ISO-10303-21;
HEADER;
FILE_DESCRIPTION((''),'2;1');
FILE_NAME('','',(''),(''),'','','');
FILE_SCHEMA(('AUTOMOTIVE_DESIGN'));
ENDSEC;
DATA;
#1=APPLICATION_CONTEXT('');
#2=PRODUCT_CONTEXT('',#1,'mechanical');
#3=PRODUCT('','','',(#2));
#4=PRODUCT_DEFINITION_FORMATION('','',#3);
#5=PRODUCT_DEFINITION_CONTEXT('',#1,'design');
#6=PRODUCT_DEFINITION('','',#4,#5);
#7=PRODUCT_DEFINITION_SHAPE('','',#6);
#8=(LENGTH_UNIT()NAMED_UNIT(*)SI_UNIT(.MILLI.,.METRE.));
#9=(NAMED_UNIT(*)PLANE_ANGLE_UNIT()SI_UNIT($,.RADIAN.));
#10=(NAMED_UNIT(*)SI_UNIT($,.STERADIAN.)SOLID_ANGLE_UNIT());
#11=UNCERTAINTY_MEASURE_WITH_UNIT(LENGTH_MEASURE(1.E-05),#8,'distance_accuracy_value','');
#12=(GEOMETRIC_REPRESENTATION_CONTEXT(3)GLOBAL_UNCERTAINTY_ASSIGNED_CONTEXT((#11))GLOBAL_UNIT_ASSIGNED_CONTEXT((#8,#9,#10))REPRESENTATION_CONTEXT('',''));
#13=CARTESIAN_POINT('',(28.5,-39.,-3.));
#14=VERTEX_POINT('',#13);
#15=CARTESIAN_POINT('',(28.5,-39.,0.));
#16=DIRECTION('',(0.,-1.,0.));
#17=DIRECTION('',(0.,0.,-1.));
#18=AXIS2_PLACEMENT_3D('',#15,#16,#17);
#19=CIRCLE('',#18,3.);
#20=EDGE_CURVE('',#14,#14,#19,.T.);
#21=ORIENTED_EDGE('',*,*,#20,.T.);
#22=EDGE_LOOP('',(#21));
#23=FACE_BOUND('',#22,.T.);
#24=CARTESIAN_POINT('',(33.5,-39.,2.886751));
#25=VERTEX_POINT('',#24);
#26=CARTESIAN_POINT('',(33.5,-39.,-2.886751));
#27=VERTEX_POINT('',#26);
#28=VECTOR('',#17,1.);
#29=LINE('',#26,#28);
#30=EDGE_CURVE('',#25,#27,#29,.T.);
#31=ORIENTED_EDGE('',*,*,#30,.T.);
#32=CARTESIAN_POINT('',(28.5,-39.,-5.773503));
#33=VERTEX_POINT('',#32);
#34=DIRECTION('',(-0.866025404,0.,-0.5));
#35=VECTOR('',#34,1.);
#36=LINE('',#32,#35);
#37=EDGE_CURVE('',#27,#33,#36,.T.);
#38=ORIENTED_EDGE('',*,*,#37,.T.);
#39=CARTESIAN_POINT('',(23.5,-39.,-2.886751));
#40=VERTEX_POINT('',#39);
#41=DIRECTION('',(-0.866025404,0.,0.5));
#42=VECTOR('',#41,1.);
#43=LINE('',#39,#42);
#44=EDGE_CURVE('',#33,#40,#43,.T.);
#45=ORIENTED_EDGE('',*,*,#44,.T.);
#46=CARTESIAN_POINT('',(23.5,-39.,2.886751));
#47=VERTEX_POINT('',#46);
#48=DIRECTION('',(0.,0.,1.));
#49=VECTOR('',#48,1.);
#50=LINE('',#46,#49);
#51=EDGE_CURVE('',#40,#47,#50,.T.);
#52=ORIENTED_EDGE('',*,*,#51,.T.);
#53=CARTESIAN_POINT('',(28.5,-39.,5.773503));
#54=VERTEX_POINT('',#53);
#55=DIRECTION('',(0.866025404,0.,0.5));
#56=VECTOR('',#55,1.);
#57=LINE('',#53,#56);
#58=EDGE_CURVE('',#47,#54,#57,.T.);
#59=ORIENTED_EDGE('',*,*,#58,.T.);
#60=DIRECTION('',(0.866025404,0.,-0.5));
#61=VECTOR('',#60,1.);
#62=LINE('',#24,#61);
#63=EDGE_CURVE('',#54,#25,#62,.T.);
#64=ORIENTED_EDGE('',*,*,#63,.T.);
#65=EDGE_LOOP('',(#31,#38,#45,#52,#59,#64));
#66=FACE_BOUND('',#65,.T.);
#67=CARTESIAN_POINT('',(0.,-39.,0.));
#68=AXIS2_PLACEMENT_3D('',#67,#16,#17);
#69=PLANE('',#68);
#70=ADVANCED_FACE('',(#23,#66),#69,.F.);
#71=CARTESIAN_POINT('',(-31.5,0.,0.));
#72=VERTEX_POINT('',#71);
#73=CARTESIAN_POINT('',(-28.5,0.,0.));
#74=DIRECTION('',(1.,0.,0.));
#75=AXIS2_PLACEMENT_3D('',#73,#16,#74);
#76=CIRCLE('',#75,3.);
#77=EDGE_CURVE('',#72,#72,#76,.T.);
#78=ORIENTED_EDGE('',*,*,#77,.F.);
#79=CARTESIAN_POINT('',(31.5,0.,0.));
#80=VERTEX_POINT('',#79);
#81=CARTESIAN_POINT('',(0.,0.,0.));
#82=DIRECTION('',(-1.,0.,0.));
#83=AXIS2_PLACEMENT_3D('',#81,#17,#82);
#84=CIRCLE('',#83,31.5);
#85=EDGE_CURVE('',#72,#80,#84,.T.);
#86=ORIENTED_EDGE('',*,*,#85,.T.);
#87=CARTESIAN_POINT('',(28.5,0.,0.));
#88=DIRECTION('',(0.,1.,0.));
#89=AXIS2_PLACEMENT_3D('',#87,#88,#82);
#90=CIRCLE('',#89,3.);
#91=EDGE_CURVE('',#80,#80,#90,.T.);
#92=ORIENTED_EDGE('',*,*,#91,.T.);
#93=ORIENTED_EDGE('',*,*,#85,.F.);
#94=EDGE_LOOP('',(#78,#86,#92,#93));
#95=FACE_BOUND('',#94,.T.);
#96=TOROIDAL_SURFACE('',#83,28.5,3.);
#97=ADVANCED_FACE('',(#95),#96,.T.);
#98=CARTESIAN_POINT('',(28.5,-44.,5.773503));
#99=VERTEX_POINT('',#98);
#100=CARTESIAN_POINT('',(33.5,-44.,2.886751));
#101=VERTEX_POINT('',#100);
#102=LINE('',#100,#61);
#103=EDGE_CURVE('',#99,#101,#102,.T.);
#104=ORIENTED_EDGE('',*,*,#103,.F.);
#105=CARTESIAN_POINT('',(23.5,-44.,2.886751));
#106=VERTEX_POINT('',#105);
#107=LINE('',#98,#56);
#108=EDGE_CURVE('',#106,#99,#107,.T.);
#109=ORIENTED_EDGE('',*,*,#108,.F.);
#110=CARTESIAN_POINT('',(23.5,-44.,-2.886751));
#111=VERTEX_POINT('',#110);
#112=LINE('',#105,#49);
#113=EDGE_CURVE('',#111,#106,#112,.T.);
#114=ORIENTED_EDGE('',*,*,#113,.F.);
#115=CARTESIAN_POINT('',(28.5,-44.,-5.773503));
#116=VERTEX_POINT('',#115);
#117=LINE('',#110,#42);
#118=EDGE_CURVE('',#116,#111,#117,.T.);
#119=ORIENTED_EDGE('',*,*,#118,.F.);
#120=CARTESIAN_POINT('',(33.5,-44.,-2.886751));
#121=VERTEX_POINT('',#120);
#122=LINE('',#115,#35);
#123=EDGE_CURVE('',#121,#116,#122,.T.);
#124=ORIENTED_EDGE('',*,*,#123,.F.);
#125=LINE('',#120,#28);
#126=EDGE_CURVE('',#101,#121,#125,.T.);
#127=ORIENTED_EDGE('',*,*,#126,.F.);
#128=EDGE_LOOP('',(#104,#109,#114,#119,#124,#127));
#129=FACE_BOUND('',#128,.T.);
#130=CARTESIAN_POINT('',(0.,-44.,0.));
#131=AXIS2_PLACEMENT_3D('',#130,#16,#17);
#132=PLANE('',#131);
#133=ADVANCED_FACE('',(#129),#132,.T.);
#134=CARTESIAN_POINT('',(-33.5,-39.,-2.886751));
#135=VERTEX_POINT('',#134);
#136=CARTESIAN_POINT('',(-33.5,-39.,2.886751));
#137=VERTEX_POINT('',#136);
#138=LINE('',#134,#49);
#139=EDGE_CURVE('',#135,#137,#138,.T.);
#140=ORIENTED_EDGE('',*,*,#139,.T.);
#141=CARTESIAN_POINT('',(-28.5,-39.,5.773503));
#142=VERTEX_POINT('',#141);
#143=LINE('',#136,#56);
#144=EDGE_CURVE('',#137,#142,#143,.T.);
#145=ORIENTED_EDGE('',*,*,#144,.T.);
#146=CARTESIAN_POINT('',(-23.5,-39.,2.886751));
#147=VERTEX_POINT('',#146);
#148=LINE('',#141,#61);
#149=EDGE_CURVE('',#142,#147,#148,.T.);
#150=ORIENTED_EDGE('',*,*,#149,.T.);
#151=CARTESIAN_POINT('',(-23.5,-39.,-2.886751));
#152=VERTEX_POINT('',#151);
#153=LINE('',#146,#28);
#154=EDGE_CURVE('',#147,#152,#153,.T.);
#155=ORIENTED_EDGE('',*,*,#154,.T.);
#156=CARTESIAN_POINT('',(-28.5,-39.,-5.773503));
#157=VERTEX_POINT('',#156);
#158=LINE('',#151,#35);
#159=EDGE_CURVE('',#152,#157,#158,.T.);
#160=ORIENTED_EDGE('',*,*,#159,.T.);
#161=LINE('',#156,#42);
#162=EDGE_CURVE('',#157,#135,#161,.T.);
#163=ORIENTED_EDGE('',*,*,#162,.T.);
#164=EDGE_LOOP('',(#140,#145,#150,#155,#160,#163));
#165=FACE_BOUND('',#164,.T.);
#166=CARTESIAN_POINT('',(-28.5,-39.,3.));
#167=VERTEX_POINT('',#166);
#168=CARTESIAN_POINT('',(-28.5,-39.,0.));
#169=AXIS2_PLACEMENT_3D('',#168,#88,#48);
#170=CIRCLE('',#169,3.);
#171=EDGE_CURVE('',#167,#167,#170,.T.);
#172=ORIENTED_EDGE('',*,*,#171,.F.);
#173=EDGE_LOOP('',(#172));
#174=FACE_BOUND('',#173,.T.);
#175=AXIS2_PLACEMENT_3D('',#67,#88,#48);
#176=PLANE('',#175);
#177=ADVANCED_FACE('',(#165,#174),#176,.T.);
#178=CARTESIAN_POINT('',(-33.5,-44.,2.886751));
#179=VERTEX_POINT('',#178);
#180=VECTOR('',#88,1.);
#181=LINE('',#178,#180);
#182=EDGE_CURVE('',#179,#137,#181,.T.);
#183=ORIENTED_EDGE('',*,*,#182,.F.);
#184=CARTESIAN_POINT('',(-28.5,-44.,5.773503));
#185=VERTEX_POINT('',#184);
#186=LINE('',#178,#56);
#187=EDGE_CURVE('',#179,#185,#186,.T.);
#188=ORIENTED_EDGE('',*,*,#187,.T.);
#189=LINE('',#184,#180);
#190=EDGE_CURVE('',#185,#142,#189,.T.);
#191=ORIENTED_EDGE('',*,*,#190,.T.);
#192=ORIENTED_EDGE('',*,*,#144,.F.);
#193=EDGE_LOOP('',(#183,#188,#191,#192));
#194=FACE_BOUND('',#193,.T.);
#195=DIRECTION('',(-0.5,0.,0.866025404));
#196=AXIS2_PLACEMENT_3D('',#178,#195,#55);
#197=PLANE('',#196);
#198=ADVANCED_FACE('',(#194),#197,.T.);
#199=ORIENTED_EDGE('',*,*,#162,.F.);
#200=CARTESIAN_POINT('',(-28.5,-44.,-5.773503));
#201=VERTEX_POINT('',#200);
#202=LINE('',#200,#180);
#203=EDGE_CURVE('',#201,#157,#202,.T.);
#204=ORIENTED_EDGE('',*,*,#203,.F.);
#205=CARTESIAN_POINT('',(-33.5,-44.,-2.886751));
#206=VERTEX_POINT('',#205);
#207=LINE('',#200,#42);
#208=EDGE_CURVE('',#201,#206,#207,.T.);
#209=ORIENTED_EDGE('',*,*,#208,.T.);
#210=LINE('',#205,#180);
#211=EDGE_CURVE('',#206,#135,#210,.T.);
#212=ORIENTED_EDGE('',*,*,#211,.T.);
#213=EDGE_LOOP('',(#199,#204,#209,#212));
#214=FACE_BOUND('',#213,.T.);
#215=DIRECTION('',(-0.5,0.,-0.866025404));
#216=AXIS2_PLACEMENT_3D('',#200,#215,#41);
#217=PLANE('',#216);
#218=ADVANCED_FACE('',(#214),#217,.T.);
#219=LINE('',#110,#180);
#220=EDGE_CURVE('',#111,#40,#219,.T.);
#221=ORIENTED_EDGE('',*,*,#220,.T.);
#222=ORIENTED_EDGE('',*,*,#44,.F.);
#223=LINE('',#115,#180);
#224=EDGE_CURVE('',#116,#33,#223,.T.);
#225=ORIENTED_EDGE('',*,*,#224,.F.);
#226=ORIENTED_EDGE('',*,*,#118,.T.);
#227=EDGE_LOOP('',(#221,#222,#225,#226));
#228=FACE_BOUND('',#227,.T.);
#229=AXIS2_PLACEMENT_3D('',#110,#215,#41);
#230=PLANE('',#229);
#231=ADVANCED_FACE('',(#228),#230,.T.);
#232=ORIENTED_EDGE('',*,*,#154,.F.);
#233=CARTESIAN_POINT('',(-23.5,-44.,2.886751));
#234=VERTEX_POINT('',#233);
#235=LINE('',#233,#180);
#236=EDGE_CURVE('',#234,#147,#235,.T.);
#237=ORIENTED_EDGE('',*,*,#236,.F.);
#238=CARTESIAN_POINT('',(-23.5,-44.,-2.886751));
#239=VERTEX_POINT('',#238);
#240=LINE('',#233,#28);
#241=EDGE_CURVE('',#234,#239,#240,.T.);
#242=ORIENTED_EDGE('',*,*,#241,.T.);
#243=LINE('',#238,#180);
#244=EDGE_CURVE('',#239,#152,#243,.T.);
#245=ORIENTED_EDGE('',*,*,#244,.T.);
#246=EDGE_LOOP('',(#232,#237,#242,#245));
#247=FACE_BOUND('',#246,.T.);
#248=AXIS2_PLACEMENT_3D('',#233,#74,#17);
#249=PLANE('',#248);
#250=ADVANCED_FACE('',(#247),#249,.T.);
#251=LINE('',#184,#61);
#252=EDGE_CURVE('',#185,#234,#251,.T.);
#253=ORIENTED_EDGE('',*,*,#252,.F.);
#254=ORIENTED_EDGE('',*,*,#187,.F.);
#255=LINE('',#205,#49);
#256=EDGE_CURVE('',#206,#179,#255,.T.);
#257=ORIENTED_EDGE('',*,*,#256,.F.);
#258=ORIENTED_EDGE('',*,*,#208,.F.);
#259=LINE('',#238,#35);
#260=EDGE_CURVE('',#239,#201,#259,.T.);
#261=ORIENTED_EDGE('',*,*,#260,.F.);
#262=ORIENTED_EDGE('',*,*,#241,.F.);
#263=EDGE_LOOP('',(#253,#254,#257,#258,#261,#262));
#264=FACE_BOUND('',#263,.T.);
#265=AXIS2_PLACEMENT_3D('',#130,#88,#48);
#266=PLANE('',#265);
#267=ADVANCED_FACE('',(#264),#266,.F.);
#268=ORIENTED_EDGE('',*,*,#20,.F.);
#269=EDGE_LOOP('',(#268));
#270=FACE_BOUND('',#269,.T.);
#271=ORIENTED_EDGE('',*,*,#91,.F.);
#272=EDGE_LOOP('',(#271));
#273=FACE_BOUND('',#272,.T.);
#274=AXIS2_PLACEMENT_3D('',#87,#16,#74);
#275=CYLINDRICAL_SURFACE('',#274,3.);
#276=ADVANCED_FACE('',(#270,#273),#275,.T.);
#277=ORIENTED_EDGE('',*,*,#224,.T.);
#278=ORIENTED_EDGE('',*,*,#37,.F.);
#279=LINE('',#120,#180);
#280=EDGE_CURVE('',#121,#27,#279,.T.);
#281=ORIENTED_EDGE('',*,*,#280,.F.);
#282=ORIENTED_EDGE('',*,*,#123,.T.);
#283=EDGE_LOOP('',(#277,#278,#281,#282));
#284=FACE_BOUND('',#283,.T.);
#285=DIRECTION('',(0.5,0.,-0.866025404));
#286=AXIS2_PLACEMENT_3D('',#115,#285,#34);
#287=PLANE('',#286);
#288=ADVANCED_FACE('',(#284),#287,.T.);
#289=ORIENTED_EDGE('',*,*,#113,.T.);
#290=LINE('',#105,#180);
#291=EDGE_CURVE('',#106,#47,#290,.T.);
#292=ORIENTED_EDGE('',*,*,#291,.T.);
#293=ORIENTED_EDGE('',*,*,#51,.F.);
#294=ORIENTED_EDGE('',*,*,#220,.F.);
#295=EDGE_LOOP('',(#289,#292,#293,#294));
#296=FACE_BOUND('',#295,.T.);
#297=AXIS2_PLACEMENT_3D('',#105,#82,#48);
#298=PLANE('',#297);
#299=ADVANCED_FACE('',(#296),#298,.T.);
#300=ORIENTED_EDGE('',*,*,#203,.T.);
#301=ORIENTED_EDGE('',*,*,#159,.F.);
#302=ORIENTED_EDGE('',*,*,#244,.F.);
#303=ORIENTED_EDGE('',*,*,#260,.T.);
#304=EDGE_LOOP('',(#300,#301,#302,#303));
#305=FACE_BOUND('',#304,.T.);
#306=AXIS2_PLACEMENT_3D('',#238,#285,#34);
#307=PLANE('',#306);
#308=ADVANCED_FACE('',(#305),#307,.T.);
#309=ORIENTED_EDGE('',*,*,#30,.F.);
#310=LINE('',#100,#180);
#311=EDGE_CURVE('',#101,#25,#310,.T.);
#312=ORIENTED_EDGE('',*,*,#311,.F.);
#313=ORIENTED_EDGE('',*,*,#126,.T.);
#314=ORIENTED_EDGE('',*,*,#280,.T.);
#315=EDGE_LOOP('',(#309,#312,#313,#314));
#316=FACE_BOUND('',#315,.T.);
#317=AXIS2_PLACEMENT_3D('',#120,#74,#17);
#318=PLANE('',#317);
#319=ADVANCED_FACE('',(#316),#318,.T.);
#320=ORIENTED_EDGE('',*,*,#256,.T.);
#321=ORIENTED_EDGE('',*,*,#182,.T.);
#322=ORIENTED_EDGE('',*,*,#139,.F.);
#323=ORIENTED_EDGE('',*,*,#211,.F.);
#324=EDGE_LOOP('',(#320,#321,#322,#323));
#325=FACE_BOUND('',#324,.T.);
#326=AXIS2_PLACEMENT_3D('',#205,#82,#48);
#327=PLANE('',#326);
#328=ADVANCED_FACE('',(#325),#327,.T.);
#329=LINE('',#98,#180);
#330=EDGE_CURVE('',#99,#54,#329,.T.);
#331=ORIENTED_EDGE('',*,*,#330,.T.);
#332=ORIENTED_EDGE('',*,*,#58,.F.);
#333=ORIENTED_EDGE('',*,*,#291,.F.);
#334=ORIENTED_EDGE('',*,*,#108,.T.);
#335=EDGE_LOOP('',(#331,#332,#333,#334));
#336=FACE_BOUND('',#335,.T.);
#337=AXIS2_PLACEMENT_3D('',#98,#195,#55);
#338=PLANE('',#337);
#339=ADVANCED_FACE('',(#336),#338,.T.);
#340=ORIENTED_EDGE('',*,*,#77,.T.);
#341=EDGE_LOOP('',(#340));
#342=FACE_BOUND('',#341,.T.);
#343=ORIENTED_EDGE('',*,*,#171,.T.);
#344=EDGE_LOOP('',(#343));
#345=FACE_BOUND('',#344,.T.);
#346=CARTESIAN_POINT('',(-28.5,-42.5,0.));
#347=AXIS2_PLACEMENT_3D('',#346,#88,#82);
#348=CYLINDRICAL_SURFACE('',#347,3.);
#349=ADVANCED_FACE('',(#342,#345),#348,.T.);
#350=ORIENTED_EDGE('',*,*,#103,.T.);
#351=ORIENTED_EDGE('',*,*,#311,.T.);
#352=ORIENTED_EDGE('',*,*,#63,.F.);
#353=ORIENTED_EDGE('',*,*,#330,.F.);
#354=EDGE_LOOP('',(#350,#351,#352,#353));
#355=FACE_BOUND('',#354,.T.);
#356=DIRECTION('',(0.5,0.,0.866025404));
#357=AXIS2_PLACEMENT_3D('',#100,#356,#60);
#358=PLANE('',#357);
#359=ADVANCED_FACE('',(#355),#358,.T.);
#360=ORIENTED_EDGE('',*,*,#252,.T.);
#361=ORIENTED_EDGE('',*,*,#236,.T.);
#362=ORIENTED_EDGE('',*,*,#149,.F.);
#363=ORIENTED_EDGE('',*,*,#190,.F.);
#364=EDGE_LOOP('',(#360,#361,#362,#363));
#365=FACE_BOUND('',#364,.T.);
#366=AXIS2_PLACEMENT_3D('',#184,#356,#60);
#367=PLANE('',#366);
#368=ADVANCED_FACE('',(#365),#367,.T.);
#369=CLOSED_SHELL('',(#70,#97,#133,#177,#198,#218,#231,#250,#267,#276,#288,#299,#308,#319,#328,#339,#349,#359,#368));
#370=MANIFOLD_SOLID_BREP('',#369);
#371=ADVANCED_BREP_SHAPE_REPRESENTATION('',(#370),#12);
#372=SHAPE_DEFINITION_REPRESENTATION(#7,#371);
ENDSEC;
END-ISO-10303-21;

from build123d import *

# Parameters (mm, degrees)
SWEEP1_PROFILE_R    = 3
BOSS_EXTRUDE1_DEPTH = 5


with BuildPart() as part:
    # Sweep1: sweep along a path in Sketch1
    with BuildLine(Plane.XY) as sweep1_path:
        Line((-28.5, -42.5), (-28.5, 0))
        ThreePointArc((-28.5, 0), (0, 28.5), (28.5, 0))
        Line((28.5, 0), (28.5, -42.5))
    # Sweep1 profile (on start of the path) → Sweep1 (sweep)
    with BuildSketch(Plane(origin=(-28.5, -42.5, 0), x_dir=(1, 0, 0), z_dir=(0, 1, 0))):
        Circle(SWEEP1_PROFILE_R)
    sweep(path=sweep1_path.line)

    # Sketch14 → Boss-Extrude1 (add)
    with BuildSketch(Plane(origin=(0, -39, 0), x_dir=(1, 0, 0), z_dir=(0, 1, 0))):
        Polygon((-28.5, 5.773502692), (-33.5, 2.886751346), (-33.5, -2.886751346), (-28.5, -5.773502692), (-23.5, -2.886751346), (-23.5, 2.886751346), align=None)
        Polygon((23.5, 2.886751346), (28.5, 5.773502692), (33.5, 2.886751346), (33.5, -2.886751346), (28.5, -5.773502692), (23.5, -2.886751346), align=None)
    extrude(amount=-BOSS_EXTRUDE1_DEPTH)


solid = part.part
